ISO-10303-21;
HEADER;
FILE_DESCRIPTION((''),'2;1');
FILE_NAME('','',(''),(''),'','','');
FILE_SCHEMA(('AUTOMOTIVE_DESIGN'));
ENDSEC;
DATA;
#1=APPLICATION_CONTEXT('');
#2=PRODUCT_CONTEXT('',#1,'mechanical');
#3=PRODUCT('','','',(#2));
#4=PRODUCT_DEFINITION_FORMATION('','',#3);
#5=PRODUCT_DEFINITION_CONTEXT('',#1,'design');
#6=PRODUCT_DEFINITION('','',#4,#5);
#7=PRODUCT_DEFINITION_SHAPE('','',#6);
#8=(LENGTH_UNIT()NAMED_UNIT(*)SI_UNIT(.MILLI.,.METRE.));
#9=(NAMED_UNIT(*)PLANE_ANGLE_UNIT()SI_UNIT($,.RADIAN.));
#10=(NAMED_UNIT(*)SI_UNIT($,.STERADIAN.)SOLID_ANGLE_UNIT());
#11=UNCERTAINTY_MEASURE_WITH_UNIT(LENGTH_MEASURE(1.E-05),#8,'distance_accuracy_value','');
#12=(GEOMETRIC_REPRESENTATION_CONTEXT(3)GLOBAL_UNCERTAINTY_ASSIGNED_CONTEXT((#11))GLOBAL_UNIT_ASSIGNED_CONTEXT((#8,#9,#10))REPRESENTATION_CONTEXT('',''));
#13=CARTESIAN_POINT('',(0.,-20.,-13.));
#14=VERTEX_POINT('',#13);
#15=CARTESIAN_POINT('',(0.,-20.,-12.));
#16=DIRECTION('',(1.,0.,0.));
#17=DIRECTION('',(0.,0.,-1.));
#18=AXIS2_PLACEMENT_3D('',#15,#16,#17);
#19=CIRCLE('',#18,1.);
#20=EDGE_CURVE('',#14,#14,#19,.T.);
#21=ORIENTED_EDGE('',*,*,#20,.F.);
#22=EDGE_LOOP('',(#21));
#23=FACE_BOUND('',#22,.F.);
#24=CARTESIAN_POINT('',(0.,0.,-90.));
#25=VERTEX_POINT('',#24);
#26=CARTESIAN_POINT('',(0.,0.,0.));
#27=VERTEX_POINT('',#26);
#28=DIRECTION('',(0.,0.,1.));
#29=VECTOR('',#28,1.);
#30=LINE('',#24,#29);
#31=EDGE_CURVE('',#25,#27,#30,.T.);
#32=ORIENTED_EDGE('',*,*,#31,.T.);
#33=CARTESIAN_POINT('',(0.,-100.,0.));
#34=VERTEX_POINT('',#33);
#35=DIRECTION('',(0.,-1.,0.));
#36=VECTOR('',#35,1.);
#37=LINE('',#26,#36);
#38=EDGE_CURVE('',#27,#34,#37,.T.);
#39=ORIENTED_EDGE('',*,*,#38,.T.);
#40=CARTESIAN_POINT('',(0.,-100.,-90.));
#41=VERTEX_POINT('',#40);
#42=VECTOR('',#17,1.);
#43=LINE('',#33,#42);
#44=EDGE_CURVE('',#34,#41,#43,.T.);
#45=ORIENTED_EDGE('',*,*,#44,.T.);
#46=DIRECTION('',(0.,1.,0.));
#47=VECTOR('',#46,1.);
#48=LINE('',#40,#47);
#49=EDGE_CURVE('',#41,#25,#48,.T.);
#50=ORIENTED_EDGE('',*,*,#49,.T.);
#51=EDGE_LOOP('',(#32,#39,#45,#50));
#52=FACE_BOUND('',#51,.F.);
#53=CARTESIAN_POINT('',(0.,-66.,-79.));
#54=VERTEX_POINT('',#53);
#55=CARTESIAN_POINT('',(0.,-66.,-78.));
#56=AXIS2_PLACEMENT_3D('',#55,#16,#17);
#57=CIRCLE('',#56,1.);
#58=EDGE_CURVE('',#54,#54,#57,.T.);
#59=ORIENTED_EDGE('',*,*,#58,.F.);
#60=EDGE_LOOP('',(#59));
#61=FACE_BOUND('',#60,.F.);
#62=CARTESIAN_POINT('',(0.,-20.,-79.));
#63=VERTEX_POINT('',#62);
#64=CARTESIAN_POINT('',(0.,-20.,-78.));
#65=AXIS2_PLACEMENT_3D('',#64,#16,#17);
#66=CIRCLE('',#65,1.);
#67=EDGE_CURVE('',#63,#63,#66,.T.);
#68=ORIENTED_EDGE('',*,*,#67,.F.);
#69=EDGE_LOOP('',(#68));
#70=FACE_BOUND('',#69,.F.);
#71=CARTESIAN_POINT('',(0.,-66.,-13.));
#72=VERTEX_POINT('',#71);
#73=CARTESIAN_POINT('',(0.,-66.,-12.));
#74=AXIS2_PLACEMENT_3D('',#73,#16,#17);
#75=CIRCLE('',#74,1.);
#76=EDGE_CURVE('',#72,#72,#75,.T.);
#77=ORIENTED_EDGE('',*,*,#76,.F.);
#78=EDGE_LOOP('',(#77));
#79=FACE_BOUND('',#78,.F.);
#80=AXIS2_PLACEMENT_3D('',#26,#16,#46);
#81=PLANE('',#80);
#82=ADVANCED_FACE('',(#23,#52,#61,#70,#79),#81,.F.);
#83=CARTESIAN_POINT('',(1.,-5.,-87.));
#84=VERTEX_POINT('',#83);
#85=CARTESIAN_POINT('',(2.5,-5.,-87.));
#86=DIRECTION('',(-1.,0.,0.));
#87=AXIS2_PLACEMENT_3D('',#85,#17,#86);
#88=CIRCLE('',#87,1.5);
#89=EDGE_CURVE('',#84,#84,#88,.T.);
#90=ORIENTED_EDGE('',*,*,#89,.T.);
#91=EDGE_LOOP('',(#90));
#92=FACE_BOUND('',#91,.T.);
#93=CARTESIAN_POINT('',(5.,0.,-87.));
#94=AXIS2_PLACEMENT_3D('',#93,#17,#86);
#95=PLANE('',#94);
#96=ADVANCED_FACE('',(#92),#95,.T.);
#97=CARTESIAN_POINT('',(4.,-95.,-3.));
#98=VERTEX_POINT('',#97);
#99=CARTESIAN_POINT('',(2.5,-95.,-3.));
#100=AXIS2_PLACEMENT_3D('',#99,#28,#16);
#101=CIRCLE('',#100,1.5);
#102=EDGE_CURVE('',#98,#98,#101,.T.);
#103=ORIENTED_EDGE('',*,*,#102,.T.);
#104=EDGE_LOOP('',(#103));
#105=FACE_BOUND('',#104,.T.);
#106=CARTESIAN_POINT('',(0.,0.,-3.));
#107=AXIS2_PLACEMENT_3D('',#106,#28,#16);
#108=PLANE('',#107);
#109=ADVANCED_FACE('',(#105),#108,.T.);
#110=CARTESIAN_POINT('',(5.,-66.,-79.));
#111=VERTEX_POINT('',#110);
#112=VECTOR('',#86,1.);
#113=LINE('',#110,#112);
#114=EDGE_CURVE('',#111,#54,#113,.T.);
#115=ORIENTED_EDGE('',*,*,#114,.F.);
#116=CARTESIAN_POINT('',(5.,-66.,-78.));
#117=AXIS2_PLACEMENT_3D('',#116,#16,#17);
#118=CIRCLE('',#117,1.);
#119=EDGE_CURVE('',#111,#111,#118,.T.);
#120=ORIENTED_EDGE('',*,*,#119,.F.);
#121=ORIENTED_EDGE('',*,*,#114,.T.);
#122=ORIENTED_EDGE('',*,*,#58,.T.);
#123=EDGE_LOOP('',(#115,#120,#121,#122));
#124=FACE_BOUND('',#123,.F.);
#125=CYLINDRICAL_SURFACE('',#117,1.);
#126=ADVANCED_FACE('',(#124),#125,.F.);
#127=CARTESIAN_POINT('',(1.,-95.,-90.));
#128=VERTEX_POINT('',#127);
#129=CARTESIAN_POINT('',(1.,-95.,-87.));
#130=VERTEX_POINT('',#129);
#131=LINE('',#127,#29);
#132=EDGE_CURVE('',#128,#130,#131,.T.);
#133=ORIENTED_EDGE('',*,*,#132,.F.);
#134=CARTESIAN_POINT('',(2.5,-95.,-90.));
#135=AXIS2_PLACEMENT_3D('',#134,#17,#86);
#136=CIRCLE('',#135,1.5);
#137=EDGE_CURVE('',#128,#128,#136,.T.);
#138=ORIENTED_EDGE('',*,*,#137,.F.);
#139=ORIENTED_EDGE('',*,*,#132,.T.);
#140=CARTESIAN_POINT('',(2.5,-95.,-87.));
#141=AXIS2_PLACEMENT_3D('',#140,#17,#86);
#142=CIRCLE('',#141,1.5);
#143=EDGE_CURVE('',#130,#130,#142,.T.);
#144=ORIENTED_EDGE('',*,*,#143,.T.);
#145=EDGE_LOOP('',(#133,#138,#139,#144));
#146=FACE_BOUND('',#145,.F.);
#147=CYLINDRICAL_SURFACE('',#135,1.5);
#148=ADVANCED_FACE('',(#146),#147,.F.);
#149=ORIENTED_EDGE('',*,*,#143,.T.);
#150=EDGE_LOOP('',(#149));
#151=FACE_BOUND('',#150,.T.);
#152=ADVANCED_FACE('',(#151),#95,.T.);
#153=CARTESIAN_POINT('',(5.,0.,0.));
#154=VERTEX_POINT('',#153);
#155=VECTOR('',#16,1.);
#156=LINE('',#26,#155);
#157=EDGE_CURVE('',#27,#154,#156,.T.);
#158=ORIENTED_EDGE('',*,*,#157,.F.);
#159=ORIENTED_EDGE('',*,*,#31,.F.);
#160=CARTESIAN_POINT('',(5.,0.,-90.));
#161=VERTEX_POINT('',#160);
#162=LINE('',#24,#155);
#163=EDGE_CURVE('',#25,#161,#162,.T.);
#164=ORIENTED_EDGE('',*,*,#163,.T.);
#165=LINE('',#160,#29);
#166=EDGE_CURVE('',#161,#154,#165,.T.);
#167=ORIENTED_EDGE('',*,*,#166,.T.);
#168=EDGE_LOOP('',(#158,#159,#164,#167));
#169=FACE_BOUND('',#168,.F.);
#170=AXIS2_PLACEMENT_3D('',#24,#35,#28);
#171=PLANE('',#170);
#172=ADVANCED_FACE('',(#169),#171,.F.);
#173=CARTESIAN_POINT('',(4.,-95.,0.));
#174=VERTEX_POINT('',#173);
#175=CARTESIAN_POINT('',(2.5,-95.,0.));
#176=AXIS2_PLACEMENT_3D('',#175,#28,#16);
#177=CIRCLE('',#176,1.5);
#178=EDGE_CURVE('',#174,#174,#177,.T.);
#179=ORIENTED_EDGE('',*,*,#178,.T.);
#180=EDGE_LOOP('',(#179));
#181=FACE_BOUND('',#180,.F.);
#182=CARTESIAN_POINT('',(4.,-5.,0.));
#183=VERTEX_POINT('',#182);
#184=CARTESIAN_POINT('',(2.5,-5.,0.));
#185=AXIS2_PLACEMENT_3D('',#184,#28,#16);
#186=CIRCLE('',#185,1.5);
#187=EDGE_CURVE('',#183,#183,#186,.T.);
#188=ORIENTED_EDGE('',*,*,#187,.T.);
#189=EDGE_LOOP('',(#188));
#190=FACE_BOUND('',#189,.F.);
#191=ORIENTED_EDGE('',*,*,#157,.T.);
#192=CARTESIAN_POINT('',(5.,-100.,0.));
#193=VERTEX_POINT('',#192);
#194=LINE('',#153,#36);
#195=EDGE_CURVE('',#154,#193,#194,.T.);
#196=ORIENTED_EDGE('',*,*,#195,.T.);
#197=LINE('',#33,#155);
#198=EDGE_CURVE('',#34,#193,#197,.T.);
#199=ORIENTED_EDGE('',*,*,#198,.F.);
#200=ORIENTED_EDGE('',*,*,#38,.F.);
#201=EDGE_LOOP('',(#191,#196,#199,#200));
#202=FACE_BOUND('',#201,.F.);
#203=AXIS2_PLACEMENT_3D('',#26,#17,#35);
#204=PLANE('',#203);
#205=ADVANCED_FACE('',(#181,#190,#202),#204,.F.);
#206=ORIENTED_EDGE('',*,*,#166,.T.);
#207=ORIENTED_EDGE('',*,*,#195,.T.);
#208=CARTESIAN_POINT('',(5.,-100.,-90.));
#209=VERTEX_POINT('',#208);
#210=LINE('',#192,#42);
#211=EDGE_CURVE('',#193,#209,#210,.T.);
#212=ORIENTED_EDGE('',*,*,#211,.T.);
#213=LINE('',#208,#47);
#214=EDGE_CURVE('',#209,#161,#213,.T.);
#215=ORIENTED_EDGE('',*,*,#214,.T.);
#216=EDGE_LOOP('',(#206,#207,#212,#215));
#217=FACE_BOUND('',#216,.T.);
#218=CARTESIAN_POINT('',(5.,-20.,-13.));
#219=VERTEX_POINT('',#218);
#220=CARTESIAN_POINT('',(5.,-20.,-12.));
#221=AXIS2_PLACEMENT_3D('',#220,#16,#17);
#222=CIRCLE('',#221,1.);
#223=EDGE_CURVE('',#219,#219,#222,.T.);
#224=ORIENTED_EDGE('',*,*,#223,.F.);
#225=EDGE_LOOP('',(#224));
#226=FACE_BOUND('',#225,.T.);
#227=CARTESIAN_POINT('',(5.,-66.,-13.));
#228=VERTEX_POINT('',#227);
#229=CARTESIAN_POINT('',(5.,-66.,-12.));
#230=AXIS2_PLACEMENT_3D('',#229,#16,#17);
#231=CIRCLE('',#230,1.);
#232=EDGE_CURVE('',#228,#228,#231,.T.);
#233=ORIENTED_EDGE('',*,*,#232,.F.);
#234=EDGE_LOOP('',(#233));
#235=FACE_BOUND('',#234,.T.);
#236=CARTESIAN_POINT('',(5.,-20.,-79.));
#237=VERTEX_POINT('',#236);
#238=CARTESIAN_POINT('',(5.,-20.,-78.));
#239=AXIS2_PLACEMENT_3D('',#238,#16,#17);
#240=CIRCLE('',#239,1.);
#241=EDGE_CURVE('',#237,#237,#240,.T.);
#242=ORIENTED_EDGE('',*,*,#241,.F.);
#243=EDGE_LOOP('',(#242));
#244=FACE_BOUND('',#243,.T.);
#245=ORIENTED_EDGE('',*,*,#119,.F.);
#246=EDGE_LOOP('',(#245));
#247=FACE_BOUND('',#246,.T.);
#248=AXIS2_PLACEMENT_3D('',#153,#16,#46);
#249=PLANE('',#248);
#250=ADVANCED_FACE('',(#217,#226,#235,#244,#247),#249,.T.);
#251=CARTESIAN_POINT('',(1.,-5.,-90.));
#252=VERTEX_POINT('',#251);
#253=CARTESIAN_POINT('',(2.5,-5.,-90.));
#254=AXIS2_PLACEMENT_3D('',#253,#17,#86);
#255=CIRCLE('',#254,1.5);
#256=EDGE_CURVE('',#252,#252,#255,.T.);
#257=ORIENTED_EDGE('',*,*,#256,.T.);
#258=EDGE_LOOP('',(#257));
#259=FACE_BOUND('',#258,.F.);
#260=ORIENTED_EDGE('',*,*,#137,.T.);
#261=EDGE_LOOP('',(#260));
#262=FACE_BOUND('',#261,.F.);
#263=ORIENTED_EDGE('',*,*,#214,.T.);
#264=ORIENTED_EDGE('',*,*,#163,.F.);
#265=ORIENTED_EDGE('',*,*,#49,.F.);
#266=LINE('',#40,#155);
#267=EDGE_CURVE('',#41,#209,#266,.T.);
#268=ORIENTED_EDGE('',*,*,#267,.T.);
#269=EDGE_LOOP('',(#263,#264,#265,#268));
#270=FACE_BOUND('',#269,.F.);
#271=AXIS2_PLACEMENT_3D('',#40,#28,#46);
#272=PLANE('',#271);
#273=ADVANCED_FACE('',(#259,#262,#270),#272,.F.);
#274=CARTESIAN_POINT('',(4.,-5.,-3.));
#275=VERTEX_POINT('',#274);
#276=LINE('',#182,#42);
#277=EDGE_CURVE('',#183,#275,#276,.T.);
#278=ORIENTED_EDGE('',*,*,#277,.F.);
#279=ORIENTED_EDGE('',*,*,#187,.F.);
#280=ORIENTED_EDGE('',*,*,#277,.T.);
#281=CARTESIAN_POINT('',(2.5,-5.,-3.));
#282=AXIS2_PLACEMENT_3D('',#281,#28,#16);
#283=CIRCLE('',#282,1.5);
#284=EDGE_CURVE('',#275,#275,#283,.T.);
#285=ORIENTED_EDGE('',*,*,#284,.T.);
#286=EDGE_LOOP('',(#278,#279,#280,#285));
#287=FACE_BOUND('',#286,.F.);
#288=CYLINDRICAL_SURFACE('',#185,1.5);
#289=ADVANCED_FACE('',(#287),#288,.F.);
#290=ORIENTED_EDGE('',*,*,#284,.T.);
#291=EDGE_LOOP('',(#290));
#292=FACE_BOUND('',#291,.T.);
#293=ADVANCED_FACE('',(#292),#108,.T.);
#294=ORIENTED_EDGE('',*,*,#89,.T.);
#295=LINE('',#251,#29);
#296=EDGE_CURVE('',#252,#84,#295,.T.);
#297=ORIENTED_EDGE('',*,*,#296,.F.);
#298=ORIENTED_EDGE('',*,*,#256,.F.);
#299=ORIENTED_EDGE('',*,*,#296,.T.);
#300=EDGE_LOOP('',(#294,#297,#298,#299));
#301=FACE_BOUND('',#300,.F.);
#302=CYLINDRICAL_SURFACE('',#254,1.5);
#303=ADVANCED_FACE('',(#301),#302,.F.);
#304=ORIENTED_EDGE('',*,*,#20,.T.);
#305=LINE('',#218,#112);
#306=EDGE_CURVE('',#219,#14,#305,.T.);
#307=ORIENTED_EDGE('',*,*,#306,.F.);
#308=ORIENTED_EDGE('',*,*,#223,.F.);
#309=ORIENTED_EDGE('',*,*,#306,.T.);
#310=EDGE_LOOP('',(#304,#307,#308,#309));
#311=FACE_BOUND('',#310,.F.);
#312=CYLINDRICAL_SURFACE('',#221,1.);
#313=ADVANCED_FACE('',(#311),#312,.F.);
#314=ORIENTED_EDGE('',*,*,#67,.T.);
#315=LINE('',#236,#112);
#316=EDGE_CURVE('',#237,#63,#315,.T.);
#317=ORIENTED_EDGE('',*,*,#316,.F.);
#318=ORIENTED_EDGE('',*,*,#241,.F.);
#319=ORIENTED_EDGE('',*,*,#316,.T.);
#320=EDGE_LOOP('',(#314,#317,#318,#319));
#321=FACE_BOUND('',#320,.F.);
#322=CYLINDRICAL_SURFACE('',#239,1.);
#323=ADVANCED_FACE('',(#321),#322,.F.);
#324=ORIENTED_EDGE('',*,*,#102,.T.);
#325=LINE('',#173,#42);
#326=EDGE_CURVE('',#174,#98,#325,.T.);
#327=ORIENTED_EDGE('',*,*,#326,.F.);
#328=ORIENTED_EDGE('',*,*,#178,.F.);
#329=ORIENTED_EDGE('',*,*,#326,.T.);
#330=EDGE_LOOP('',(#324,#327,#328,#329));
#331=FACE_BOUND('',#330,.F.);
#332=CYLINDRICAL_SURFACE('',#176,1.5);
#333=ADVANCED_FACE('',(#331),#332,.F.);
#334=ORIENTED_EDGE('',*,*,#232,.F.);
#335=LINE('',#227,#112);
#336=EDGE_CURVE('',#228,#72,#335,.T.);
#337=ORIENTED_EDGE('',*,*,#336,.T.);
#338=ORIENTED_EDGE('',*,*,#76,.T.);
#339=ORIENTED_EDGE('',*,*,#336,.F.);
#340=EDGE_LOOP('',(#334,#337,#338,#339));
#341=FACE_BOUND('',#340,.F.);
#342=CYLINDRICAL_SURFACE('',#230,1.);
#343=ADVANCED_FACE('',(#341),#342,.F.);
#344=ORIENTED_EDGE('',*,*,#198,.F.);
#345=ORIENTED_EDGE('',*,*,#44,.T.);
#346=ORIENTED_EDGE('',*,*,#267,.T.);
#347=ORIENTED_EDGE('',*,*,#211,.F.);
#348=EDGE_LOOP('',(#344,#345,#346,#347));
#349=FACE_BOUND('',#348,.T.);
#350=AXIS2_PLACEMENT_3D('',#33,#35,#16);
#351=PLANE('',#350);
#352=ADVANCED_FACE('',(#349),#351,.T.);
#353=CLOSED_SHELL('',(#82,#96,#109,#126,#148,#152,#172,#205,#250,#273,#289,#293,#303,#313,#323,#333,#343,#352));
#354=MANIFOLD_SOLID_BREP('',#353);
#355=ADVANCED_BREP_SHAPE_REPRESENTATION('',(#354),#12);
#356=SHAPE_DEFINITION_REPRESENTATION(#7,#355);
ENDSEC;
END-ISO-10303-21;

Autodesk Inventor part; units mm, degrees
ref_plane "YZ Plane" through (0, 0, 0) normal (1, 0, 0) x (0, 1, 0)
ref_plane "XZ Plane" through (0, 0, 0) normal (0, 1, 0) x (-1, 0, 0)
ref_plane "XY Plane" through (0, 0, 0) normal (0, 0, 1) x (1, 0, 0)
sketch "Boceto1" plane through (0, 0, 0) normal (1, 0, 0) x (0, 1, 0)
  line L0 (0, 0) -> (-100, 0)
  line L1 (-100, 0) -> (-100, -90)
  line L2 (-100, -90) -> (0, -90)
  line L3 (0, -90) -> (0, 0)
  dimension "d0" = 90
  dimension "d1" = 100
extrude "Extrusión1" add sketch "Boceto1" along normal blind 5
sketch "Boceto2" plane through (0, -100, 0) normal (0, 0, 1) x (1, 0, 0)
  line L0 (20, -20) -> (0, 0)
  line L1 (20, -20) -> (20, -15)
  line L2 (20, -15) -> (5, 0)
  line L3 (0, 0) -> (0, 100) projected
  line L4 (0, 0) -> (5, 0)
  dimension "d6" = 5
extrude "Extrusión2" add sketch "Boceto2" against normal blind 90
sketch "Boceto3" plane through (5, 0, -90) normal (0, 0, -1) x (-1, 0, 0)
  circle A0 centre (2.5, -5) radius 1.5
  circle A1 centre (2.5, -95) radius 1.5
  line L0 (5, -100) -> (5, 0) projected
  line L1 (5, 0) -> (0, 0) projected
  line L2 (0, -100) -> (0, 0) projected
  dimension "d9" = 3
  dimension "d10" = 3
  dimension "d11" = 2.5
  dimension "d12" = 5
  dimension "d13" = 5
  dimension "d14" = 2.5
extrude "Extrusión3" cut sketch "Boceto3" against normal blind 3
sketch "Boceto4" plane through (0, 0, 0) normal (0, 0, 1) x (1, 0, 0)
  circle A0 centre (2.5, -5) radius 1.5 projected
  circle A1 centre (2.5, -5) radius 1.5
  circle A2 centre (2.5, -95) radius 1.5 projected
  circle A3 centre (2.5, -95) radius 1.5
  point P0 (0, 0)
extrude "Extrusión4" cut sketch "Boceto4" against normal blind 3
sketch "Boceto5" plane through (0, 0, 0) normal (0, 0, 1) x (1, 0, 0)
  line L0 (0, 0) -> (0, -100) projected
  line L1 (20, -115) -> (5, -100) projected
  line L2 (0, -100) -> (5, -100)
  line L3 (5, -100) -> (2.5, -102.5)
  line L4 (0, -100) -> (20, -120) projected
extrude "Extrusión5" cut sketch "Boceto5" against normal blind 3000
sketch "Boceto6" plane through (5, 0, 0) normal (1, 0, 0) x (0, 0, -1)
  point P0 (0, 0)
sketch "Boceto7" plane through (20, -120, 0) normal (0, 0, 1) x (1, 0, 0)
  line L0 (-17.5, 17.5) -> (0, 0) projected
  line L1 (0, 5) -> (-15, 20) projected
  line L2 (-17.5, 17.5) -> (-15, 20)
  line L3 (0, 0) -> (0, 5) projected
  line L4 (-15, 20) -> (0, 5)
  line L5 (0, 5) -> (0, 0)
  line L6 (0, 0) -> (-17.5, 17.5)
  point P0 (-20, 120)
extrude "Extrusión6" cut sketch "Boceto7" against normal blind 3000
sketch "Boceto8" plane through (5, 0, 0) normal (1, 0, 0) x (0, 0, -1)
  circle A0 centre (12, -20) radius 1
  line L0 (0, 0) -> (0, -100) projected
  line L1 (90, 0) -> (0, 0) projected
  circle A1 centre (78, -20) radius 1
  circle A2 centre (12, -66) radius 1
  circle A3 centre (78, -66) radius 1
  dimension "d23" = 2
  dimension "d24" = 12
  dimension "d25" = 20
  dimension "d26" = 2
  dimension "d27" = 66
  dimension "d28" = 20
  dimension "d29" = 2
  dimension "d30" = 2
  dimension "d31" = 46
  dimension "d32" = 46
  dimension "d33" = 66
extrude "Extrusión7" cut sketch "Boceto8" against normal blind 5
properties part number "Atras"
